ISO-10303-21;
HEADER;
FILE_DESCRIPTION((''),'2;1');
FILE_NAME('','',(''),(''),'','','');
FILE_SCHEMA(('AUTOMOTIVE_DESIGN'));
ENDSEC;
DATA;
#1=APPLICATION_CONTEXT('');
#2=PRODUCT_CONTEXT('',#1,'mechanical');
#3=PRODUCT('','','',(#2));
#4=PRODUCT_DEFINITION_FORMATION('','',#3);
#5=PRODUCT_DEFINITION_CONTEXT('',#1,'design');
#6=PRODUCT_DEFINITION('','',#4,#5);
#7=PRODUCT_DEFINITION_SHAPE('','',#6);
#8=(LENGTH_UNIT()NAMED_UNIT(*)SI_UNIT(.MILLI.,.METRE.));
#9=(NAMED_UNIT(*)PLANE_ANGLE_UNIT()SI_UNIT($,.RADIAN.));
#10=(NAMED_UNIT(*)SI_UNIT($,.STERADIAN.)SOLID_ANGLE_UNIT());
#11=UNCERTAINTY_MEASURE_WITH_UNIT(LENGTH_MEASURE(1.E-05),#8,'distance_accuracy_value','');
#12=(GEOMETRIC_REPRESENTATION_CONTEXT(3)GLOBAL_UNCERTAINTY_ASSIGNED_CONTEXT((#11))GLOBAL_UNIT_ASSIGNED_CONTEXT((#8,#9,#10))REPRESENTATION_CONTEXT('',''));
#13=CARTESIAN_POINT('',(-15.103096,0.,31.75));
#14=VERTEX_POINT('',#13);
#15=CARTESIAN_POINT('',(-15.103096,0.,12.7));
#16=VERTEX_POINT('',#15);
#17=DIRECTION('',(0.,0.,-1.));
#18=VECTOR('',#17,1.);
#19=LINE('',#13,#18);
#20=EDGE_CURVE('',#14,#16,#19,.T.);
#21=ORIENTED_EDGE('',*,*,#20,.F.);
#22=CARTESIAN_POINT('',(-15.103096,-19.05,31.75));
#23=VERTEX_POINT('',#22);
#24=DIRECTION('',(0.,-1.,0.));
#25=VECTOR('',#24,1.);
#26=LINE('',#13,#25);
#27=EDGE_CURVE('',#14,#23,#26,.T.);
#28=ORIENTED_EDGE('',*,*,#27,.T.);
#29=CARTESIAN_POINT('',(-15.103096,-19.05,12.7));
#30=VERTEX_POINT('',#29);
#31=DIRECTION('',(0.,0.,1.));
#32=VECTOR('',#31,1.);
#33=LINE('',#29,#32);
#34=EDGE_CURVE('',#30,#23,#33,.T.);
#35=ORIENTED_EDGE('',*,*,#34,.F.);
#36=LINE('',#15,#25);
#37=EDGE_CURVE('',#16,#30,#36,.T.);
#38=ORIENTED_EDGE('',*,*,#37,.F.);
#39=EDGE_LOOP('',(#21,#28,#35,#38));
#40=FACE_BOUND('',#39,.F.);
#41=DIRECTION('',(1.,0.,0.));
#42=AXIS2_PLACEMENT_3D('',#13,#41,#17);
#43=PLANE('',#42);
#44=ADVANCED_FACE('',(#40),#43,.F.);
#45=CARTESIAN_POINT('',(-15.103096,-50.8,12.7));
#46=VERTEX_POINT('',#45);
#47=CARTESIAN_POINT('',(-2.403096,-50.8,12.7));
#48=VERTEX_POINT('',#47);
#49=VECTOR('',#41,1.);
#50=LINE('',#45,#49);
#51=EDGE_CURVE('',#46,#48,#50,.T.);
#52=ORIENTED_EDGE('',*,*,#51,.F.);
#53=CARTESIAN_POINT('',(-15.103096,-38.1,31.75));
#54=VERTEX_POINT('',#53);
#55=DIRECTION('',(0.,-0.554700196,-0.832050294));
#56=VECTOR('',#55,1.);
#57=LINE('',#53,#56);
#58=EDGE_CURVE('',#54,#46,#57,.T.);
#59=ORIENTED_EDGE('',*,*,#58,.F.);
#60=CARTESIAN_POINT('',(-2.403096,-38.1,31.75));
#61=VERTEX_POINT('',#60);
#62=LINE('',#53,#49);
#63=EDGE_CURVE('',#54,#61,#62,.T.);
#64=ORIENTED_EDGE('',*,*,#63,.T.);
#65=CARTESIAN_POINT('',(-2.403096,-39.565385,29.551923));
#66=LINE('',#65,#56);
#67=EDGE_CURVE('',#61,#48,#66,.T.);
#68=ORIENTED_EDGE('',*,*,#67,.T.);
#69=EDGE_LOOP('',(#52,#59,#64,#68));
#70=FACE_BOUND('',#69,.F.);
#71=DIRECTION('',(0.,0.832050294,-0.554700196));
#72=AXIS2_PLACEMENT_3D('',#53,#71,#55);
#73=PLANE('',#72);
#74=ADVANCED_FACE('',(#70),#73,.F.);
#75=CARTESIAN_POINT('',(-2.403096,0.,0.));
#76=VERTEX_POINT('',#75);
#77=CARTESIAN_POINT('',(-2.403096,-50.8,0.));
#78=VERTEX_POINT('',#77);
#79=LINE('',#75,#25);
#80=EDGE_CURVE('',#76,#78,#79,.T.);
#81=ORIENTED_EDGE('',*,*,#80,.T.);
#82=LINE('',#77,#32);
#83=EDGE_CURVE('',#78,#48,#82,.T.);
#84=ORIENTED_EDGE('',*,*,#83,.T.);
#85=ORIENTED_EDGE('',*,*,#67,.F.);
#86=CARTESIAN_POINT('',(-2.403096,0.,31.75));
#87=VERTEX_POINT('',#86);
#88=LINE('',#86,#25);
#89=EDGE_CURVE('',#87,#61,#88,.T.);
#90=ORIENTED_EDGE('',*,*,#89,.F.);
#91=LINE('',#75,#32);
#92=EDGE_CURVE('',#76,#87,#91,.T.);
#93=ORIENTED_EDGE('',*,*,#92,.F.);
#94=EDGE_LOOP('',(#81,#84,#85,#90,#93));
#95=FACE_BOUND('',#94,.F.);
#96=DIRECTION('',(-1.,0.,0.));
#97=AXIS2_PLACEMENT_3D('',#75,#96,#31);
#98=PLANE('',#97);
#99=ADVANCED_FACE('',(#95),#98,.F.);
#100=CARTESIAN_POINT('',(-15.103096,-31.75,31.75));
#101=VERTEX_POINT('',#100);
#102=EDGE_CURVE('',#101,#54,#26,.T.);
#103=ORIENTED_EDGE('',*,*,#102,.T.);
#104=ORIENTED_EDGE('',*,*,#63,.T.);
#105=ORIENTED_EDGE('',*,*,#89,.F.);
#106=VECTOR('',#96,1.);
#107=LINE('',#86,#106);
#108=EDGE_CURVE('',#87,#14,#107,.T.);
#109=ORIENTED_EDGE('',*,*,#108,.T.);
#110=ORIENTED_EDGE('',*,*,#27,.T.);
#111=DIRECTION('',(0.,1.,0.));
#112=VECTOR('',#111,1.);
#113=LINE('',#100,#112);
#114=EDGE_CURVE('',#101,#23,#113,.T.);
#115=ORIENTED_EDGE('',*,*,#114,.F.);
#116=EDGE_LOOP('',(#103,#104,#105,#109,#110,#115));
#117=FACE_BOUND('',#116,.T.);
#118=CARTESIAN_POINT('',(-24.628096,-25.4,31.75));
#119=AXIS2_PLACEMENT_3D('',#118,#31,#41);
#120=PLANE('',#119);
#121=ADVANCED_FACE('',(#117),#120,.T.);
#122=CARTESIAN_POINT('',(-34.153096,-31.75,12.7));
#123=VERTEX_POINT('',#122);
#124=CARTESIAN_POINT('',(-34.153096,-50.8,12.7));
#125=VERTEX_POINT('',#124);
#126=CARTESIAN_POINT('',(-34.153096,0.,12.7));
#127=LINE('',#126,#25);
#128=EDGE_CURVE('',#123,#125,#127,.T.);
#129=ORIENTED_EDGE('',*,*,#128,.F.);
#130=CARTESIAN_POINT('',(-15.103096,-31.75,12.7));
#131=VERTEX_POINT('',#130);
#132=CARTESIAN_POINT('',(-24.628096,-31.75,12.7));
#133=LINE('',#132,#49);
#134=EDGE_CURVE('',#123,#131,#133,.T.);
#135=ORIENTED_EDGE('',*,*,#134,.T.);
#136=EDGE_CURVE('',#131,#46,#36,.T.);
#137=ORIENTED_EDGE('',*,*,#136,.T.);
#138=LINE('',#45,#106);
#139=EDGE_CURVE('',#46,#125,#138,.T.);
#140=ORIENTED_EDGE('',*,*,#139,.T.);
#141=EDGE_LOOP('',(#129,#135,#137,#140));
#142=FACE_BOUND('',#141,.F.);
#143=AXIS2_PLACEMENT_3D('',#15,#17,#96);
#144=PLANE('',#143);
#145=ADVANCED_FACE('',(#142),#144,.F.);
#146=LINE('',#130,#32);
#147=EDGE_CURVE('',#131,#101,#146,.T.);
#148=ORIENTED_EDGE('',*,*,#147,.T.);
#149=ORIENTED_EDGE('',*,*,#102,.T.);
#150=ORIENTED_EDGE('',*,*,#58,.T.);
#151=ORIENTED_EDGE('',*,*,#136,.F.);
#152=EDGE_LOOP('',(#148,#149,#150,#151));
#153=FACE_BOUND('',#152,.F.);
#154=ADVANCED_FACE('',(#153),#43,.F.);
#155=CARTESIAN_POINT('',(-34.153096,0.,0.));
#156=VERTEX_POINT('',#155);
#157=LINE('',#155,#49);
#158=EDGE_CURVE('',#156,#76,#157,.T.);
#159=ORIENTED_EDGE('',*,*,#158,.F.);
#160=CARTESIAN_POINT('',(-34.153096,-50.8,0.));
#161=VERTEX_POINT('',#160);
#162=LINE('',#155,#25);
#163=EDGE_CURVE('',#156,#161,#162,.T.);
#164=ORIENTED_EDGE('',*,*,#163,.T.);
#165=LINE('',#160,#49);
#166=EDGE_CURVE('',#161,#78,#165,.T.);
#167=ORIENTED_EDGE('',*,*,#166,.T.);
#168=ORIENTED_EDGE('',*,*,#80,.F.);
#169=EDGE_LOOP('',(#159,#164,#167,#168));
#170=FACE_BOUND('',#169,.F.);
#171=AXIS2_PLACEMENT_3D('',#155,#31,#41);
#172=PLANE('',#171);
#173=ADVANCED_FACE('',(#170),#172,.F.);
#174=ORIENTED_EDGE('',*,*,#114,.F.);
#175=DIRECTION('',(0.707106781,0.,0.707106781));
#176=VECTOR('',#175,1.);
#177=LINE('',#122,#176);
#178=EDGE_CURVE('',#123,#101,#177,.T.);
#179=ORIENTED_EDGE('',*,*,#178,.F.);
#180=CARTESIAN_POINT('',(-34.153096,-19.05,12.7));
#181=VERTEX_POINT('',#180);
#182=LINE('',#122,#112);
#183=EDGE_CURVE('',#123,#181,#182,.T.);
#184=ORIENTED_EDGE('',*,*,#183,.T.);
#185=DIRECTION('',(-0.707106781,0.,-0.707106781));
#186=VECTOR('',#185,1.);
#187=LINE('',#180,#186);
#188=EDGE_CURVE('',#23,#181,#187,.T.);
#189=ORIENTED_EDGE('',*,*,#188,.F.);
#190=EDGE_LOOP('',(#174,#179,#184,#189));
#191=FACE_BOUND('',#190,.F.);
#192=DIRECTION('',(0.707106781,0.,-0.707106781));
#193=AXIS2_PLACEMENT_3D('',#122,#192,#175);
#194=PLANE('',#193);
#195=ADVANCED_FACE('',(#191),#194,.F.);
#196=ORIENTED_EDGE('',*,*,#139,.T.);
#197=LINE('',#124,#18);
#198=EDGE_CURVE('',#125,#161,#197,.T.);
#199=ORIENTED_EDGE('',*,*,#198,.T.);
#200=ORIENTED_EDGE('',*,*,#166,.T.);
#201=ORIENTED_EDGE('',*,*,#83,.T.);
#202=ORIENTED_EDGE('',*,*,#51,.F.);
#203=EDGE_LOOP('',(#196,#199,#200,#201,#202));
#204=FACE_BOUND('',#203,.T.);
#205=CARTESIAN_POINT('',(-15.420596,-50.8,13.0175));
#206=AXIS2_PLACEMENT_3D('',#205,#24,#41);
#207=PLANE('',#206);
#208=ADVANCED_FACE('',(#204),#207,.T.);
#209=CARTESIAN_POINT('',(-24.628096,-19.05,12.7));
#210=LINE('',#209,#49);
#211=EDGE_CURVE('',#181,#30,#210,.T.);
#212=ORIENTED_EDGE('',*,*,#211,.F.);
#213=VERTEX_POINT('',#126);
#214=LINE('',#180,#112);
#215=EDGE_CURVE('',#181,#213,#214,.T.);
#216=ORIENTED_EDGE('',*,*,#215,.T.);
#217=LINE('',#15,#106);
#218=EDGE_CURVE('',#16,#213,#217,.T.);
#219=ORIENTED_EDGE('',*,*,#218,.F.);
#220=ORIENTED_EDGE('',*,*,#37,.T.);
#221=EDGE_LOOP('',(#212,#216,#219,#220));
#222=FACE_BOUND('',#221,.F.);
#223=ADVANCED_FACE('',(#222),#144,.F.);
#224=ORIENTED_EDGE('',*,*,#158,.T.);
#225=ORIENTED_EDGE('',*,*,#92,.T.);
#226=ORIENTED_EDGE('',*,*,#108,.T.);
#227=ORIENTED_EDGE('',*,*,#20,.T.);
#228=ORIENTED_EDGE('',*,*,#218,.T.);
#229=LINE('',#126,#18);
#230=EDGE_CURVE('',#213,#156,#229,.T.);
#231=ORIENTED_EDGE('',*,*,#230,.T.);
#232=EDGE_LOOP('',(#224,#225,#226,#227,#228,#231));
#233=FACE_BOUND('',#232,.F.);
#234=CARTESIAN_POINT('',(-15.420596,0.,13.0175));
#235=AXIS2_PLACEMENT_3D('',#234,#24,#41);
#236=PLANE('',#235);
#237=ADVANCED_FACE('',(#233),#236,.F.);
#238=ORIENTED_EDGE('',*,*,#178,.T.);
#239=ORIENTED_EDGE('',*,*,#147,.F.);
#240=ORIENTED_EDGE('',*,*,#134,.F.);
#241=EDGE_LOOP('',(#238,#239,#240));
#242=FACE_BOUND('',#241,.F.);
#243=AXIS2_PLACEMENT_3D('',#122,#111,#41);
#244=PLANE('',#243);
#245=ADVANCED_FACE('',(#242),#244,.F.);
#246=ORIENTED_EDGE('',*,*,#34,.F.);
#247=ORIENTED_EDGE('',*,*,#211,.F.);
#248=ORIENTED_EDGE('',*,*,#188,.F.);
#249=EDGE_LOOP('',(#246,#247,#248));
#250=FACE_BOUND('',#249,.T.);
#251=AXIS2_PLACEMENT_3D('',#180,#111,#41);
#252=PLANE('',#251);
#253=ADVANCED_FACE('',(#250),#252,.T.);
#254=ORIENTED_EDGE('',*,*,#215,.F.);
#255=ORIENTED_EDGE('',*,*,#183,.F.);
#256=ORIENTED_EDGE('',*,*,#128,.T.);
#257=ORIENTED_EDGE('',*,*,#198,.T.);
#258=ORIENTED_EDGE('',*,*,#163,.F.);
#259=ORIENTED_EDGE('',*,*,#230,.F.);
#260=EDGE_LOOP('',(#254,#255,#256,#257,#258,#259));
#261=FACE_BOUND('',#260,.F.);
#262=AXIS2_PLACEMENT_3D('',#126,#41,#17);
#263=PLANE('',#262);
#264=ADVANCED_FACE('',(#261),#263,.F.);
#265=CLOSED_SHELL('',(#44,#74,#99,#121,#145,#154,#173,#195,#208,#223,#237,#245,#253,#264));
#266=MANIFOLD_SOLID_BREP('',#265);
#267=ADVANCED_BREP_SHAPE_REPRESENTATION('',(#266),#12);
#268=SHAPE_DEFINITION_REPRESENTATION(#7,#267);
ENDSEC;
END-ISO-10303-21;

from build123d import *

# Parameters (mm, degrees)
F1_DEPTH = 50.8
F3_DEPTH = 12.701
F4_W     = 19.05
F4_H     = 12.7
F5_DEPTH = 19.05
F7_DEPTH = 25.4


with BuildPart() as f1:
    # F0 (on Front) → F1 (new body)
    with BuildSketch(Plane.XZ):
        Polygon((-34.153096, 12.7), (-34.153096, 0), (-2.403096, 0), (-2.403096, 31.75), (-15.103096, 31.75), (-15.103096, 12.7), align=None)
    extrude(amount=F1_DEPTH)

    # F2 (on face) → F3 (cut, through all)
    with BuildSketch(Plane(origin=(-15.103096, 0, 0), x_dir=(0, -1, 0), z_dir=(-1, 0, 0))):
        Polygon((50.8, 31.75), (38.1, 31.75), (50.8, 12.7), align=None)
    extrude(amount=-F3_DEPTH, mode=Mode.SUBTRACT)

    # F4 (on face) → F5 (join)
    with BuildSketch(Plane.XY.offset(12.7)):
        with Locations((-24.628096, -25.4)):
            Rectangle(F4_W, F4_H)
    extrude(amount=F5_DEPTH)

    # F6 (on face) → F7 (cut)
    with BuildSketch(Plane.XZ.offset(31.75)):
        Polygon((-34.153096, 12.7), (-15.103096, 31.75), (-34.153096, 31.75), align=None)
    extrude(amount=-F7_DEPTH, mode=Mode.SUBTRACT)


solid = f1.part
